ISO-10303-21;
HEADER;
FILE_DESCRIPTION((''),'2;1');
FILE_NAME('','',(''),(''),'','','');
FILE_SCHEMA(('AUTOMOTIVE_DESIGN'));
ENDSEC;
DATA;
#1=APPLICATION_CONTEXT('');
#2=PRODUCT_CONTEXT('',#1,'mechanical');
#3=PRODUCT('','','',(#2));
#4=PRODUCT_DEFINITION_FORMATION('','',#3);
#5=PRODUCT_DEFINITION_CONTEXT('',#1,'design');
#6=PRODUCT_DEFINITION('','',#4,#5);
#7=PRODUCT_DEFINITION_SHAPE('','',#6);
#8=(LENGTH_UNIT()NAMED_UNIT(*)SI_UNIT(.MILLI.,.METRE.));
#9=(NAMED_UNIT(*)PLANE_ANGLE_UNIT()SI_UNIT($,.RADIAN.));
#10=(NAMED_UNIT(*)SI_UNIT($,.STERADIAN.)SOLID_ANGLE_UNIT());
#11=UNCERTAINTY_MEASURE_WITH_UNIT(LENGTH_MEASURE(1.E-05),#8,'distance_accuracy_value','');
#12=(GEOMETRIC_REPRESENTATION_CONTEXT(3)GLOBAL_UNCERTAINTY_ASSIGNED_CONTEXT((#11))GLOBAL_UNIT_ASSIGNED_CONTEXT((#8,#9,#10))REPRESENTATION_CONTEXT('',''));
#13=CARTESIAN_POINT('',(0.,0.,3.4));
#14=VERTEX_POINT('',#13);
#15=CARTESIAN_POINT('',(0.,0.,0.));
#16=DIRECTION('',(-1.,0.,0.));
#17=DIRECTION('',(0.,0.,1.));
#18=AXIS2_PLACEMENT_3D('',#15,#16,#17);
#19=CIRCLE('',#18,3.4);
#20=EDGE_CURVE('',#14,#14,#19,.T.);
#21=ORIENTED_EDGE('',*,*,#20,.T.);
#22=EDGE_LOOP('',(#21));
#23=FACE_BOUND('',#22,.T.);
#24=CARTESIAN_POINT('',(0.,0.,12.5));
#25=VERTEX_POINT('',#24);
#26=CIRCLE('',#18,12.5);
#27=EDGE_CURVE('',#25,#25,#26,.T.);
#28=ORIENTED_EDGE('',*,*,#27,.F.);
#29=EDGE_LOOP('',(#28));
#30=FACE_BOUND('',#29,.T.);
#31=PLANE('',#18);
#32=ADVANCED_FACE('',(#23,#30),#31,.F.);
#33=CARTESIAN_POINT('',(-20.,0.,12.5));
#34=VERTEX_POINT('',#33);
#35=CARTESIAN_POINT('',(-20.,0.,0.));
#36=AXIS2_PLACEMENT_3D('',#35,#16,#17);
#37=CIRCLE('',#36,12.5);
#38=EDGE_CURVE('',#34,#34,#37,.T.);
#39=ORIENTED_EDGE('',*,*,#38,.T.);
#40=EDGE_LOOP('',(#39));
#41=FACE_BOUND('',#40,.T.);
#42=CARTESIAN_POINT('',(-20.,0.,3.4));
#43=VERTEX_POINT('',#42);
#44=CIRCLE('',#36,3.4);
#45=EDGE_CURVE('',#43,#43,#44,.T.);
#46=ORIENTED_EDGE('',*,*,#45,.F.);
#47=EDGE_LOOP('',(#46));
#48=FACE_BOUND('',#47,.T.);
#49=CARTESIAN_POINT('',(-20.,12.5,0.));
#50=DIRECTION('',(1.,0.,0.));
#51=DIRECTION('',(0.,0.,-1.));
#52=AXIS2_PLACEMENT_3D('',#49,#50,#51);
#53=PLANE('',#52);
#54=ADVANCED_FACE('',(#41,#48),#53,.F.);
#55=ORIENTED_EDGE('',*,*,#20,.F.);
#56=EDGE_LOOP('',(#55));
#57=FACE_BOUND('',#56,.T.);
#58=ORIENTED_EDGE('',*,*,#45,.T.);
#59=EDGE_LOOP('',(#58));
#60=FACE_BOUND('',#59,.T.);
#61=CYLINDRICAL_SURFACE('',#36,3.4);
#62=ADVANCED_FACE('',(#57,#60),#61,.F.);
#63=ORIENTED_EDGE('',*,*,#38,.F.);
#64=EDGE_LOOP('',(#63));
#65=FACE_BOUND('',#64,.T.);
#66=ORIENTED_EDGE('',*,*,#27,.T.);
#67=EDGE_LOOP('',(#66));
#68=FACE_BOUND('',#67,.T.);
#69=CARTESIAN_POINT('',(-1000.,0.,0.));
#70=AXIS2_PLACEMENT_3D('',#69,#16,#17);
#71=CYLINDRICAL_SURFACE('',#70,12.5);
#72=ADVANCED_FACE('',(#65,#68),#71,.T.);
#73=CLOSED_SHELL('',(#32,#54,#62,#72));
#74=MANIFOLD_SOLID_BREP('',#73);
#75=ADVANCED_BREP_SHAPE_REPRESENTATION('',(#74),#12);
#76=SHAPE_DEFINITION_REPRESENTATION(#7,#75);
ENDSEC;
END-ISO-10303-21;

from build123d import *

# Parameters (mm, degrees)
SKETCH_1_W        = 20
SKETCH_1_H        = 12.5
HOLE_WIZARD_M81_D = 6.8


with BuildPart() as part:
    # Эскиз1 → Повернуть1 (revolve)
    with BuildSketch(Plane.XY):
        with Locations((-10, 6.25)):
            Rectangle(SKETCH_1_W, SKETCH_1_H)
    revolve(axis=Axis((-1000, 0, 0), (1, 0, 0)))

    # Отверстие обработанное метчиком M81 (through all)
    with Locations(Plane.ZY.offset(20)):
        with Locations((0, 0)):
            Hole(HOLE_WIZARD_M81_D / 2)


solid = part.part
